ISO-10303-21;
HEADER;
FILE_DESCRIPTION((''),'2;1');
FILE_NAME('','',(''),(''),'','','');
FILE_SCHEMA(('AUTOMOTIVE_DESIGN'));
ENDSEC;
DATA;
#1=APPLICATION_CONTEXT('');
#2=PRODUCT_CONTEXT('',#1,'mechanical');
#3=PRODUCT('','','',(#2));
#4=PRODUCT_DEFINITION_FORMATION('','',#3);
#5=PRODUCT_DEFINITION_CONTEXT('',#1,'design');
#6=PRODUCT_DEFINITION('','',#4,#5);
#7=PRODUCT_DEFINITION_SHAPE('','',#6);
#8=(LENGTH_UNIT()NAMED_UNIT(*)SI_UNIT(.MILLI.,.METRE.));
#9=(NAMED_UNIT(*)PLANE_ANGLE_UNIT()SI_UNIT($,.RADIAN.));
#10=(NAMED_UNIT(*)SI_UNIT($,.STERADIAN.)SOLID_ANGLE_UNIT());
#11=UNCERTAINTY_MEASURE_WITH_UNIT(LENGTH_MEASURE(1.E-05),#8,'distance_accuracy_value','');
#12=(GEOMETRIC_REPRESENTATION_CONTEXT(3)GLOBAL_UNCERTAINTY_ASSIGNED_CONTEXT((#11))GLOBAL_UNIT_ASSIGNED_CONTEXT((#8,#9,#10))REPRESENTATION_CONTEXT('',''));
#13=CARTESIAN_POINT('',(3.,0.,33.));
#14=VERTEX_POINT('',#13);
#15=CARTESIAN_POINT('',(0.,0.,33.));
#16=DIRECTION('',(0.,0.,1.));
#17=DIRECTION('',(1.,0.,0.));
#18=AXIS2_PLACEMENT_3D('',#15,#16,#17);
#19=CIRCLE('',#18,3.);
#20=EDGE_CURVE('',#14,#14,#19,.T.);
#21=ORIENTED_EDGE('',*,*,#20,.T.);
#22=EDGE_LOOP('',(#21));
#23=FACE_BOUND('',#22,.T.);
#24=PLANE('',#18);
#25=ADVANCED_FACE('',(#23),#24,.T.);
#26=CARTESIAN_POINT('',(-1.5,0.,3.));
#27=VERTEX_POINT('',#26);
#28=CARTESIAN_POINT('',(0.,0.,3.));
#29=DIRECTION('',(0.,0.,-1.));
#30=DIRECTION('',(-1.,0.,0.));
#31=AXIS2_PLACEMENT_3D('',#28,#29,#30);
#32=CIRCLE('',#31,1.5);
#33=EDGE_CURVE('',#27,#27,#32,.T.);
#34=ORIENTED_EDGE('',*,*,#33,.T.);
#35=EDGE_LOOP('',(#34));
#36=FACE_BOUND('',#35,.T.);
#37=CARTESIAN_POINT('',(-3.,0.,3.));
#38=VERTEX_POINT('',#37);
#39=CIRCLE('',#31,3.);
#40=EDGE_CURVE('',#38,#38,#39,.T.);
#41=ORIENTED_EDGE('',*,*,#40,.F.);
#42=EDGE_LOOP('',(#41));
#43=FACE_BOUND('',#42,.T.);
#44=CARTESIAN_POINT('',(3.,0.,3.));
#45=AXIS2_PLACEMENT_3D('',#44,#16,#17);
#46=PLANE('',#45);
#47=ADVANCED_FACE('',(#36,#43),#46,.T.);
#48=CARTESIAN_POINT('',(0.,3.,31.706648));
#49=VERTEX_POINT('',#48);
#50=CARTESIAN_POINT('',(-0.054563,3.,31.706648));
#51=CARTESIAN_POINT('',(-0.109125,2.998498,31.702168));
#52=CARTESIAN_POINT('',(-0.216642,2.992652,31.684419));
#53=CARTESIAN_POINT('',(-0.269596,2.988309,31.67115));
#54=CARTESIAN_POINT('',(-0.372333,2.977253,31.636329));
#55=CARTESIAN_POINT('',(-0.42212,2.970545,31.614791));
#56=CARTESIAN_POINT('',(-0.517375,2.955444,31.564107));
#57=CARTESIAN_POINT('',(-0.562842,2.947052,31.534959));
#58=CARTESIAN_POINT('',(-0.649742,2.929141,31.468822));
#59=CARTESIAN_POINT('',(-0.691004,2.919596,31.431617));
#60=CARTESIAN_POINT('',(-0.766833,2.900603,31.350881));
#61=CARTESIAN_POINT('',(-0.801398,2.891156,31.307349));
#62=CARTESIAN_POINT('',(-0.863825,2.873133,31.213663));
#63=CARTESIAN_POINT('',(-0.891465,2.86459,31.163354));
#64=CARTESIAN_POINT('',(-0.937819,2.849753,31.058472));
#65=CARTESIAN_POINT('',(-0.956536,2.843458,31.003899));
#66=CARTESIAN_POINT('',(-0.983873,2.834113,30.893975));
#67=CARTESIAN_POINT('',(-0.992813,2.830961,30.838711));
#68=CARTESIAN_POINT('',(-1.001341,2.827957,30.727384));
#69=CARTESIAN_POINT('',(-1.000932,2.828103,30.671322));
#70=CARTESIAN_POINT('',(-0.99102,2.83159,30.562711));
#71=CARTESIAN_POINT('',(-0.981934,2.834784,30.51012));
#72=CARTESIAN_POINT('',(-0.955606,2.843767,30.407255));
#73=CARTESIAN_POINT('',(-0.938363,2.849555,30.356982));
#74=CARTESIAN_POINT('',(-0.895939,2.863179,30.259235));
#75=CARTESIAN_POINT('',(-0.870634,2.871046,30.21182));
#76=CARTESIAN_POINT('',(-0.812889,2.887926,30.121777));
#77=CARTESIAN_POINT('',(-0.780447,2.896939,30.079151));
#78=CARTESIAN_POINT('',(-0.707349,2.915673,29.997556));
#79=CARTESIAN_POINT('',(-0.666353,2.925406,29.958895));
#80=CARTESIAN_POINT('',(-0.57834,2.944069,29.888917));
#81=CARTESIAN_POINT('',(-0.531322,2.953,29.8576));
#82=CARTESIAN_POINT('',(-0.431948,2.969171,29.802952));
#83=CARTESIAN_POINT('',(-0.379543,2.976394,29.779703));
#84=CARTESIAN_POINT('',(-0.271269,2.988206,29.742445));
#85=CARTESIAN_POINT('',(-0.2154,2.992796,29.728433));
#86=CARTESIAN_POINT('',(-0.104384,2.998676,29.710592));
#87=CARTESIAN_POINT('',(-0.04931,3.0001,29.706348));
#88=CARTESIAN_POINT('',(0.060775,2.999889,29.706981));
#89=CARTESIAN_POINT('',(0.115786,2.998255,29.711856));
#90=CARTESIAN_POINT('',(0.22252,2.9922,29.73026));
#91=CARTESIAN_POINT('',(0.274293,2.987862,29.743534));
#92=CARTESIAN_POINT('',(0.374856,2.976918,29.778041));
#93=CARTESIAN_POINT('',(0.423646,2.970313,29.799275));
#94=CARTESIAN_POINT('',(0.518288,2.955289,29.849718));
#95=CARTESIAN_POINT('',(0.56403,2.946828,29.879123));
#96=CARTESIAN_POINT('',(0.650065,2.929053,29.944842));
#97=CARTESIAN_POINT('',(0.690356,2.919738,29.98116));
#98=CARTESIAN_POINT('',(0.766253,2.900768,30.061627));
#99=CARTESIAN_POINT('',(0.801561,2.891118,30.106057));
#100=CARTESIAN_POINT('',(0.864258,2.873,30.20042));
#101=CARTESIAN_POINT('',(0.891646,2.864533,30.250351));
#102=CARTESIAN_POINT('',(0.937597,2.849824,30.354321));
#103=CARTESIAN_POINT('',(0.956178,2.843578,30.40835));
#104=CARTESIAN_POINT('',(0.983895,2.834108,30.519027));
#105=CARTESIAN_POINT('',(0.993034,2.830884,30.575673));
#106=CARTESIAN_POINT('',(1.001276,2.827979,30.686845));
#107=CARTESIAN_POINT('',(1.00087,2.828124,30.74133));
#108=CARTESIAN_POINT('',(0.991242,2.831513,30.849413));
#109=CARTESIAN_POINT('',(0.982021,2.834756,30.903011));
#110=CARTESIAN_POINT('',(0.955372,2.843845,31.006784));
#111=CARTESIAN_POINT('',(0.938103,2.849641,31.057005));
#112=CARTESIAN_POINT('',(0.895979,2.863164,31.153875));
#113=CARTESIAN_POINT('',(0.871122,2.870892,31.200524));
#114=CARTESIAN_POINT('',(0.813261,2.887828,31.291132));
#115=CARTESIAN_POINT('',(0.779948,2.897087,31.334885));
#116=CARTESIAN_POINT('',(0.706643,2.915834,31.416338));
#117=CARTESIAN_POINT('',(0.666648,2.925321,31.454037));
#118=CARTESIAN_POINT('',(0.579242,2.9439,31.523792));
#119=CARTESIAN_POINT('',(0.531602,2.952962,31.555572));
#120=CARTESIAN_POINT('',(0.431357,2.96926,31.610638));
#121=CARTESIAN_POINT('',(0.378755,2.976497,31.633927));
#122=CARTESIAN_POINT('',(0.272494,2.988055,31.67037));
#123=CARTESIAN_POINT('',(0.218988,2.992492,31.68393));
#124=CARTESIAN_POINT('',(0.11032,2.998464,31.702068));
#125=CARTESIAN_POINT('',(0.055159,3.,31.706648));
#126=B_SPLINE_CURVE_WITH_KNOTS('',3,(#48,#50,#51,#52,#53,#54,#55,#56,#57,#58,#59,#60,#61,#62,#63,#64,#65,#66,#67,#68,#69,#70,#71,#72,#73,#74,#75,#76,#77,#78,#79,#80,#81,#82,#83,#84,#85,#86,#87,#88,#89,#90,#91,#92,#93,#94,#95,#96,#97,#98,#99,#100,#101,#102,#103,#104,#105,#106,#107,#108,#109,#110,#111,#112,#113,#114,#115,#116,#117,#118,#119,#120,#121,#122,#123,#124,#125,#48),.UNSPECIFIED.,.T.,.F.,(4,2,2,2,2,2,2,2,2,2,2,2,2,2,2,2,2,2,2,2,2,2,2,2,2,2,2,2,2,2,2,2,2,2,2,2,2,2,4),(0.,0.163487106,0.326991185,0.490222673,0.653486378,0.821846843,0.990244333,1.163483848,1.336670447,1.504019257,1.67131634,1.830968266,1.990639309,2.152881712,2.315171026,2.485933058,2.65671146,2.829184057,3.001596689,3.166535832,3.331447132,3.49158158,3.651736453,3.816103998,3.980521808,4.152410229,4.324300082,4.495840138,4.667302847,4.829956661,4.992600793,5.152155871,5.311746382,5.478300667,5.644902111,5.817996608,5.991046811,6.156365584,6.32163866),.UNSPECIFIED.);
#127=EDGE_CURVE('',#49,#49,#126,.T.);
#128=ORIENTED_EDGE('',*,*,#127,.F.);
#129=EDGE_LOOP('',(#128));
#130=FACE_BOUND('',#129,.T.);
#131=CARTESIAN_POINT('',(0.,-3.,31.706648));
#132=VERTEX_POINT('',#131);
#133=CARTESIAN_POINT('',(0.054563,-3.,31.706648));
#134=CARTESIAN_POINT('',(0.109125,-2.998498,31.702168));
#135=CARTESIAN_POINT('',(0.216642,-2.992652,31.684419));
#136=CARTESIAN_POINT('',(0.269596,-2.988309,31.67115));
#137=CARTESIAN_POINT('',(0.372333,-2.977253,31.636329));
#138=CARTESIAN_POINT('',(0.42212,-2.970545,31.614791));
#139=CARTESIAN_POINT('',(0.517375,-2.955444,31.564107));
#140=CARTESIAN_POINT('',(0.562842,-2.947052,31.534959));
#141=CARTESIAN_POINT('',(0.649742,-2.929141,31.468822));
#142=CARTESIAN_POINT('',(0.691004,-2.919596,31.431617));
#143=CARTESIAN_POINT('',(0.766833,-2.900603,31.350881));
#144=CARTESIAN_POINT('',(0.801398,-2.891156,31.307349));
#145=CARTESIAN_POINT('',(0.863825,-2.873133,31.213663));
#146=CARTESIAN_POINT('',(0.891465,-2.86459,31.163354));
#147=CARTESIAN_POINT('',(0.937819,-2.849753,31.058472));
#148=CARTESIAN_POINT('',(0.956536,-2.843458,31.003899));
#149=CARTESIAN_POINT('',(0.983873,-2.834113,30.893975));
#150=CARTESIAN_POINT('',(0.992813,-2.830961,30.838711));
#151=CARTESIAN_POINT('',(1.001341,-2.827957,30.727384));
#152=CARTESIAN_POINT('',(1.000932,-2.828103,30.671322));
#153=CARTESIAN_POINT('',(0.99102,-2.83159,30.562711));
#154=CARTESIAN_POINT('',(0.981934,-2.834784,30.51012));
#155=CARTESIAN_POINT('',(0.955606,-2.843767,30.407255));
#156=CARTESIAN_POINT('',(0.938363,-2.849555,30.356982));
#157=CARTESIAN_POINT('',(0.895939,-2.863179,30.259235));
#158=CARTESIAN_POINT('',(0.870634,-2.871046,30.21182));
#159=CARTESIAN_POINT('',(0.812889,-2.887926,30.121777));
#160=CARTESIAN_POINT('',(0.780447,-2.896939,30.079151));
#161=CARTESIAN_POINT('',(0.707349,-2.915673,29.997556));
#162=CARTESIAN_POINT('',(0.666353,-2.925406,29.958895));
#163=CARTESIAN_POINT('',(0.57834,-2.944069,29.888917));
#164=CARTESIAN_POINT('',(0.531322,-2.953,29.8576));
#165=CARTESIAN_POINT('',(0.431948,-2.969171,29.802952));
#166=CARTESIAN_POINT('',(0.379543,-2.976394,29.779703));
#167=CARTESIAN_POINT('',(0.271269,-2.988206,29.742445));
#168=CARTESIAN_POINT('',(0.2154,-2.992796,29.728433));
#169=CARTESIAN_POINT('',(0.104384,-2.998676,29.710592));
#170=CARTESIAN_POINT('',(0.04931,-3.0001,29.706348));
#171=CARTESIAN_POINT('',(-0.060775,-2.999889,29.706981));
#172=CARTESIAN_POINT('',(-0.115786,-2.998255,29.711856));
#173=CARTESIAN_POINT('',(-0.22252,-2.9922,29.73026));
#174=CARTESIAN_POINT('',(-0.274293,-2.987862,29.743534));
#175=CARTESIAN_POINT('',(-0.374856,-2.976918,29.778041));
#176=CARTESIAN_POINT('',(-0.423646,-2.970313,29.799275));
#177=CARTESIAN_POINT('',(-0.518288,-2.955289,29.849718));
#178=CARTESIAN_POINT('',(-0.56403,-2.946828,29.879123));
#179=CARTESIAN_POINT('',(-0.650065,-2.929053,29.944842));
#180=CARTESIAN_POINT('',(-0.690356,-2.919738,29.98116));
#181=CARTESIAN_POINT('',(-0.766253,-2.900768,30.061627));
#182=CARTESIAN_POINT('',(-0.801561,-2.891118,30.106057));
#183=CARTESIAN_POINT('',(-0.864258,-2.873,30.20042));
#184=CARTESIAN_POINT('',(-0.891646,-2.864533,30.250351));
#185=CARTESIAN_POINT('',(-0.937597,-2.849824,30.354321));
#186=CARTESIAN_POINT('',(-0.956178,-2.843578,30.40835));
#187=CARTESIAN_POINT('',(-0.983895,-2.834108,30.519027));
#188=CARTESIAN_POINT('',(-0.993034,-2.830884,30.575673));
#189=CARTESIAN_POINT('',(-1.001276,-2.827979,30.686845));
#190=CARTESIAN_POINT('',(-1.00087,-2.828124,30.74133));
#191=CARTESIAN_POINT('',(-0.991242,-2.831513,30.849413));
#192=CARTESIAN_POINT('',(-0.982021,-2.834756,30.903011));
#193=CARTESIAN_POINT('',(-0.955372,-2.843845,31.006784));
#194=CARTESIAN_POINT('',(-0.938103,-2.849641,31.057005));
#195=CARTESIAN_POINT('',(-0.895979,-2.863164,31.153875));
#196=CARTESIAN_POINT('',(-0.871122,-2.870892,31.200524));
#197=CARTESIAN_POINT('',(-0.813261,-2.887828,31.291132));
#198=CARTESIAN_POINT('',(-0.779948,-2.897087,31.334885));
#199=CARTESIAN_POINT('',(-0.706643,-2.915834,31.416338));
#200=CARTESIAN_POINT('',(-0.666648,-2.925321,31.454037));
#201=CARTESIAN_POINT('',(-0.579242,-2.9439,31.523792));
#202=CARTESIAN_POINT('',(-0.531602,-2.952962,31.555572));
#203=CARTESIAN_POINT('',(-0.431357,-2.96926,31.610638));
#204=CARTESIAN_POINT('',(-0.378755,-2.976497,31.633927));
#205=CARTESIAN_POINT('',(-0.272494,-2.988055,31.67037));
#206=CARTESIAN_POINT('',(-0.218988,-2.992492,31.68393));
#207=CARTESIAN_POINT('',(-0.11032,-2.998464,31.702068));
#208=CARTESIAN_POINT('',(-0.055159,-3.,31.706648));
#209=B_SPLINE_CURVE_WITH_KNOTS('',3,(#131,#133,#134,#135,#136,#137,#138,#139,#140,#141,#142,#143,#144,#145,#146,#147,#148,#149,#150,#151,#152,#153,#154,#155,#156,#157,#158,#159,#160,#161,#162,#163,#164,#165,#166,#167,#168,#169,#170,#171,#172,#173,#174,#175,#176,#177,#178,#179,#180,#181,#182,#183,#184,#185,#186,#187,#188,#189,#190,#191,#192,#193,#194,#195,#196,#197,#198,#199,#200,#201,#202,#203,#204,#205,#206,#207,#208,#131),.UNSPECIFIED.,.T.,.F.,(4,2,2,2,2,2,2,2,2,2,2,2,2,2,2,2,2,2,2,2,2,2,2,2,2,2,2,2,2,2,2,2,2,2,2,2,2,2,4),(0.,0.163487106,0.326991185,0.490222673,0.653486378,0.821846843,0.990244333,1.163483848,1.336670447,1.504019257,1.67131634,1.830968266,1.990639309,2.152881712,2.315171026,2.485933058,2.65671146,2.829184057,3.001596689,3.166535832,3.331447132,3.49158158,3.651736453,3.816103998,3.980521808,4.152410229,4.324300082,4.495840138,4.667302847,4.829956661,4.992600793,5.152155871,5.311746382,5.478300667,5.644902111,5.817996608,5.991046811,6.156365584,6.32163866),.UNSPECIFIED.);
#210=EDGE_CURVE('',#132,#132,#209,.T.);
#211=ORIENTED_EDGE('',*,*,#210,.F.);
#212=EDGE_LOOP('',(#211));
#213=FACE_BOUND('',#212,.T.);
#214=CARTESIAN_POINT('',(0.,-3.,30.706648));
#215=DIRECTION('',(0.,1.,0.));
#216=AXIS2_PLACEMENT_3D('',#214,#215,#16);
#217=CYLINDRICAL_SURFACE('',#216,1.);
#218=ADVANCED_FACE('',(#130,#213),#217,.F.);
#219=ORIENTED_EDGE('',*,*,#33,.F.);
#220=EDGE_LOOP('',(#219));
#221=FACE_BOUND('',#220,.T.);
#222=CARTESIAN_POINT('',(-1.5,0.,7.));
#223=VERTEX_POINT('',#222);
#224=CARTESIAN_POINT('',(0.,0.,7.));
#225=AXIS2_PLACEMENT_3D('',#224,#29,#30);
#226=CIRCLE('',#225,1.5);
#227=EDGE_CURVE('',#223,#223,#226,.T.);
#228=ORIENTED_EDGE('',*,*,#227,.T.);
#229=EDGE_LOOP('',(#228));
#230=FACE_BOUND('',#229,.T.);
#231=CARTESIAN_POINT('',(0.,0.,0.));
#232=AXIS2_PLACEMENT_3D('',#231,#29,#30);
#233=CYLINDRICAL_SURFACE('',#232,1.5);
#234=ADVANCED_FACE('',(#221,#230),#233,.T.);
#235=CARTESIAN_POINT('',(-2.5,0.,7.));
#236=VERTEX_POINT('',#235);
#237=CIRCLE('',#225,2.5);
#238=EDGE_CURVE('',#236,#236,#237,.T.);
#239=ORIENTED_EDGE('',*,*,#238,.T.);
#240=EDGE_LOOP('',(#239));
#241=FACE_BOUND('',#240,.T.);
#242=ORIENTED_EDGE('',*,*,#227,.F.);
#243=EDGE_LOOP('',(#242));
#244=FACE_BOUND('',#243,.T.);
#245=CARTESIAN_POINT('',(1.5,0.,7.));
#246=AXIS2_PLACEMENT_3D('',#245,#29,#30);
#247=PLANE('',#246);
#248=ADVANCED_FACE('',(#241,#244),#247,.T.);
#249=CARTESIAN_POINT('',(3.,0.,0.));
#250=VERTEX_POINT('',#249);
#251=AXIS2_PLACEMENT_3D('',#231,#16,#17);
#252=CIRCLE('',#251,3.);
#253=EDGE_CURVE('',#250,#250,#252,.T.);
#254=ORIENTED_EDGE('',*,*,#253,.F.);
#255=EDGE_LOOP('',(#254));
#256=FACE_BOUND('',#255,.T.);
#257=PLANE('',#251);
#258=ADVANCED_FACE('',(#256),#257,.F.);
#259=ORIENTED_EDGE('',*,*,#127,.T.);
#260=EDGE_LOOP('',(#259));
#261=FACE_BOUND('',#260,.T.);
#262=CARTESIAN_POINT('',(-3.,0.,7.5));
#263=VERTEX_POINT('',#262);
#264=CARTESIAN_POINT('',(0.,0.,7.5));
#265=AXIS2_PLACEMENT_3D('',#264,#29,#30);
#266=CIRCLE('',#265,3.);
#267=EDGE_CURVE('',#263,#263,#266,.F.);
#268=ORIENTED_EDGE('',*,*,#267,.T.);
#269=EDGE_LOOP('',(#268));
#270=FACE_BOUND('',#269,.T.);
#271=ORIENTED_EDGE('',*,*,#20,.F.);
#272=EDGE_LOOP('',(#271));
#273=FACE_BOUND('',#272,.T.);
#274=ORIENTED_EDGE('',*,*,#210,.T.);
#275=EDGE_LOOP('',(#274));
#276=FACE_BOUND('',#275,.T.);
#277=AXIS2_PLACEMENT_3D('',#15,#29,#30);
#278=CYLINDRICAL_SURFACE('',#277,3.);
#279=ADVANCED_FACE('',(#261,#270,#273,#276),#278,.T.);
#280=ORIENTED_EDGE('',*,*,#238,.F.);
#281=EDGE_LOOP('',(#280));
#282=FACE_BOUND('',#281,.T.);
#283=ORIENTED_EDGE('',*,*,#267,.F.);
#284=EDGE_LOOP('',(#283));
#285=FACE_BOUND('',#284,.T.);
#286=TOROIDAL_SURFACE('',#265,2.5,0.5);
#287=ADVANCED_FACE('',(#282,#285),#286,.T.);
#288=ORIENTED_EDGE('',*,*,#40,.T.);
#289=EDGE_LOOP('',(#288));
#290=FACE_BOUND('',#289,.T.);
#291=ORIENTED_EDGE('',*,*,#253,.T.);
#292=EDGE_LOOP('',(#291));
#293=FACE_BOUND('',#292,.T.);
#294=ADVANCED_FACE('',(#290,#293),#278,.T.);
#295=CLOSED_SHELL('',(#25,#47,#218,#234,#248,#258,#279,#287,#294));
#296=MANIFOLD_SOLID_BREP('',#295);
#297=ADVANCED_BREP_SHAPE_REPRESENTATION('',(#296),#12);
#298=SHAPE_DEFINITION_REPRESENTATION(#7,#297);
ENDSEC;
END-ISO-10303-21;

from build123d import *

# Parameters (mm, degrees)
SKETCH1_R               = 3
BOSS_EXTRUDE1_DEPTH     = 33
SKETCH2_W               = 1.5
SKETCH2_H               = 4
FILLET2_R               = 0.5
CUT_EXTRUDE2_DEPTH      = 34.271609528
CUT_EXTRUDE2_DEPTH_BACK = 34.271609528
SKETCH3_R               = 1


with BuildPart() as part:
    # Sketch1 → Boss-Extrude1 (new body)
    with BuildSketch(Plane.XY):
        Circle(SKETCH1_R)
    extrude(amount=BOSS_EXTRUDE1_DEPTH)

    # Sketch2 → Cut-Revolve1 (revolve, cut)
    with BuildSketch(Plane(origin=(0, 0, 0), x_dir=(1, 0, 0), z_dir=(0, 1, 0)), mode=Mode.PRIVATE) as cut_revolve1_sk:
        with Locations((2.25, -5)):
            Rectangle(SKETCH2_W, SKETCH2_H)
    revolve(cut_revolve1_sk.sketch.rotate(Axis((0, 0, 0), (0, 0, 1)), 180), axis=Axis((0, 0, 0), (0, 0, 1)), mode=Mode.SUBTRACT)

    # Fillet2
    fillet2_edges = [part.edges().sort_by_distance(p)[0] for p in [
        (-3, 0, 7),
    ]]
    fillet(fillet2_edges, radius=FILLET2_R)

    # Sketch3 → Cut-Extrude2 (cut, two sides: drawn at the far end of the back side and taken through both)
    with BuildSketch(Plane(origin=(0, 0, 0), x_dir=(1, 0, 0), z_dir=(0, 1, 0)).offset(-CUT_EXTRUDE2_DEPTH_BACK)):
        with Locations(Location((0, -30.706648015, 0), (0, 0, 270))):
            Circle(SKETCH3_R)
    extrude(amount=CUT_EXTRUDE2_DEPTH + CUT_EXTRUDE2_DEPTH_BACK, mode=Mode.SUBTRACT)


solid = part.part
